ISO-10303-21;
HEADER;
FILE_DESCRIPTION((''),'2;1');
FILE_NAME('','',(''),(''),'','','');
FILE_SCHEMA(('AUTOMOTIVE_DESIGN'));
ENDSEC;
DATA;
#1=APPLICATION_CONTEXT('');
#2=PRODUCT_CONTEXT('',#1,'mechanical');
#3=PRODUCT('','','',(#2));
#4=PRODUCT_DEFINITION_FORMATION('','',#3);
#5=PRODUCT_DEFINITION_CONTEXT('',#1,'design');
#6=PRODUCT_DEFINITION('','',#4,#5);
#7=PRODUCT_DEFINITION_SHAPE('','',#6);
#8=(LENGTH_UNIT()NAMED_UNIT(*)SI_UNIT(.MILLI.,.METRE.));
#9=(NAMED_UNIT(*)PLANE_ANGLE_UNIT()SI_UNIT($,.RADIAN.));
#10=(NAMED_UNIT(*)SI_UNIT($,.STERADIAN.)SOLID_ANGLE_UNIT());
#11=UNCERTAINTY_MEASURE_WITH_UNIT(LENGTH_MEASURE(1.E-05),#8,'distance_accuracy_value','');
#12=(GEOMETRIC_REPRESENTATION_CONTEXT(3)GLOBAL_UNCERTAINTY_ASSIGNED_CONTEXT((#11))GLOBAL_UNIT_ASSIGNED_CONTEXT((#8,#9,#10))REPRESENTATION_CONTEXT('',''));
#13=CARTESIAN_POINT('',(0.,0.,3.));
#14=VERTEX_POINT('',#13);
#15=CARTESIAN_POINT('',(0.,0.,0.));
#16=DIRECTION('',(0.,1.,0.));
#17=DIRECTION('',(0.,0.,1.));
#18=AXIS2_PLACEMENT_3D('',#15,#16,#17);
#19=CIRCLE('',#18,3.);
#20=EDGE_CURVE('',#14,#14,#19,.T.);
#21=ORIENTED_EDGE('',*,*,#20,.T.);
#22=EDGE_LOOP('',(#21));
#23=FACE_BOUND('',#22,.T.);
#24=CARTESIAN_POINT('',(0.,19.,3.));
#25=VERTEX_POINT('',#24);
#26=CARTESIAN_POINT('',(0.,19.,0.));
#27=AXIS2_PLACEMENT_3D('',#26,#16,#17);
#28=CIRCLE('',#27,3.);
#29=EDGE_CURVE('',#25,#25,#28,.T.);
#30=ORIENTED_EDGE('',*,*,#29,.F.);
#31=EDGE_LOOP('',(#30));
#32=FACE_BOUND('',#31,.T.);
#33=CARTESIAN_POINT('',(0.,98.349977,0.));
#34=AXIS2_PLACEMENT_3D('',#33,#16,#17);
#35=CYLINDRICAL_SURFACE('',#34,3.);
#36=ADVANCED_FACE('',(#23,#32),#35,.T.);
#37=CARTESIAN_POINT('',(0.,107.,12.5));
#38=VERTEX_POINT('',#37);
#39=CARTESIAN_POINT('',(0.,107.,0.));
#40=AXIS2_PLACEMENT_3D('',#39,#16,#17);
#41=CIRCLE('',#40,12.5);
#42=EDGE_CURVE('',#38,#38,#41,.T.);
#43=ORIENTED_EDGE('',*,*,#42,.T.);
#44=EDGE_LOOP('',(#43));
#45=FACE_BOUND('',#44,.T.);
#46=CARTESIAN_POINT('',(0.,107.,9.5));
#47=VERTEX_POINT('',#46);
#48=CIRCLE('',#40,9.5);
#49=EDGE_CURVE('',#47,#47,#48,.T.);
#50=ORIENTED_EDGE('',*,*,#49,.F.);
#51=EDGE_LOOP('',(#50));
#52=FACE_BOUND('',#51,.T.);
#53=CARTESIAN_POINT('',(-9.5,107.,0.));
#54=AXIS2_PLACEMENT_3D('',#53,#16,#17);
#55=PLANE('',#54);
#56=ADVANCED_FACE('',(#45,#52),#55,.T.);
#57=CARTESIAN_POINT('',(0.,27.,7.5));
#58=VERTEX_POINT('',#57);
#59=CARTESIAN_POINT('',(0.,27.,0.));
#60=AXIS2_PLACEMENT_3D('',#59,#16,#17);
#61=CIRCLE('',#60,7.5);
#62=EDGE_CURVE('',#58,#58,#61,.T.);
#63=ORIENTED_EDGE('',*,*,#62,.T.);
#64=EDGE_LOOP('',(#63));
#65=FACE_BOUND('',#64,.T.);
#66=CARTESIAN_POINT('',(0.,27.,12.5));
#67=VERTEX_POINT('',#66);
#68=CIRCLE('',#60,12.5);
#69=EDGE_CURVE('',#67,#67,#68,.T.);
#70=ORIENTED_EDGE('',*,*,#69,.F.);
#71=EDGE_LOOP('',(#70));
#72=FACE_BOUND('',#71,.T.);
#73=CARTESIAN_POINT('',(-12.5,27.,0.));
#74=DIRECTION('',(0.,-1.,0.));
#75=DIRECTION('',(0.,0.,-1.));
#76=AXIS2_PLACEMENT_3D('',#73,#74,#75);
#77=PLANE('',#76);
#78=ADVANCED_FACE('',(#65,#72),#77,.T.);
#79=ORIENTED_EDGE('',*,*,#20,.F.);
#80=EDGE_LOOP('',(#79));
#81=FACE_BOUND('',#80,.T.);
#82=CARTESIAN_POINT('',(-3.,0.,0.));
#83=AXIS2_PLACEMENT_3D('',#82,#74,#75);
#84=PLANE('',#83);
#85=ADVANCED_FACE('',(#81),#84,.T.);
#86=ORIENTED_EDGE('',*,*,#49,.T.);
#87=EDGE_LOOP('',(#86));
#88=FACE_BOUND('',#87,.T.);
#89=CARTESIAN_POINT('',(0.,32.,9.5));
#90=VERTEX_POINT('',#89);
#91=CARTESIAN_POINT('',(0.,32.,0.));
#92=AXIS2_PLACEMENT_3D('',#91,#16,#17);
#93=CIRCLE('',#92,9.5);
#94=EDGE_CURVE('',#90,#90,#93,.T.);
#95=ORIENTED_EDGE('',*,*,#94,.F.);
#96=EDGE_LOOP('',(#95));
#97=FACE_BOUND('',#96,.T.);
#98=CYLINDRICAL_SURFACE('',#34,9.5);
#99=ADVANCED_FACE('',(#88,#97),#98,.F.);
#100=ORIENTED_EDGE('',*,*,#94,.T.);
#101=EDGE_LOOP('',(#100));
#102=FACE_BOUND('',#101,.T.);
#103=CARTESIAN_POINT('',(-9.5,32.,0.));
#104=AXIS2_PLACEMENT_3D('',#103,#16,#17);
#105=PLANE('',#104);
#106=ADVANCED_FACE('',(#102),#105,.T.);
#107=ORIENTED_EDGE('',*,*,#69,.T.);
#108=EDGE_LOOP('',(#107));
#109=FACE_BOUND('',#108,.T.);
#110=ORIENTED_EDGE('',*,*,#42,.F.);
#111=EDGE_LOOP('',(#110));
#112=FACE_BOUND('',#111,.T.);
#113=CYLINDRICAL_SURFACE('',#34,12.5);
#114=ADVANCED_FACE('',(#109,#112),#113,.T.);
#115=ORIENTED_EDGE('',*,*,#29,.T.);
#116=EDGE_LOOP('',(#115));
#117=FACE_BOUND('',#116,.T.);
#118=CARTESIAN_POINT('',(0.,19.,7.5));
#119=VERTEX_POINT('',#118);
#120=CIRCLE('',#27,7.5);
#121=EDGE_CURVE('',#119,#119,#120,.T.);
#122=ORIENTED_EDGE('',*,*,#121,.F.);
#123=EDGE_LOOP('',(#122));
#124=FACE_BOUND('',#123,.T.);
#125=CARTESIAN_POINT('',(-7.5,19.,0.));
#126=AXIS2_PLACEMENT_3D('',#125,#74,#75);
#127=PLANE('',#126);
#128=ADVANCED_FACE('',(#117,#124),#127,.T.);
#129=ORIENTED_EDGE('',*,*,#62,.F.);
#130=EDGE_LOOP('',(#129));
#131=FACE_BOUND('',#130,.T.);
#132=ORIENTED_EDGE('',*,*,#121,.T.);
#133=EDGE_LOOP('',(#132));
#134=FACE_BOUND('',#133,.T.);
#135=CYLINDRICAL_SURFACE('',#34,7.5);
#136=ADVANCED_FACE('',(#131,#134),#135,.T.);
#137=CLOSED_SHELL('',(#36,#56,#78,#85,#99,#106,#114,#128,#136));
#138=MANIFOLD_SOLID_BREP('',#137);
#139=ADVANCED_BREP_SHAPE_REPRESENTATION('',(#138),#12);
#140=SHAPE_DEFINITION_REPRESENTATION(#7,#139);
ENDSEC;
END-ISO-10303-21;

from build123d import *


with BuildPart() as part:
    # Esboço2 → Revolução1 (revolve)
    with BuildSketch(Plane.XY):
        Polygon((-12.5, 107), (-12.5, 27), (-7.5, 27), (-7.5, 19), (-3, 19), (-3, 0), (0, 0), (0, 32), (-9.5, 32), (-9.5, 107), align=None)
    revolve(axis=Axis((0, 98.34997688, 0), (0, -1, 0)))


solid = part.part
